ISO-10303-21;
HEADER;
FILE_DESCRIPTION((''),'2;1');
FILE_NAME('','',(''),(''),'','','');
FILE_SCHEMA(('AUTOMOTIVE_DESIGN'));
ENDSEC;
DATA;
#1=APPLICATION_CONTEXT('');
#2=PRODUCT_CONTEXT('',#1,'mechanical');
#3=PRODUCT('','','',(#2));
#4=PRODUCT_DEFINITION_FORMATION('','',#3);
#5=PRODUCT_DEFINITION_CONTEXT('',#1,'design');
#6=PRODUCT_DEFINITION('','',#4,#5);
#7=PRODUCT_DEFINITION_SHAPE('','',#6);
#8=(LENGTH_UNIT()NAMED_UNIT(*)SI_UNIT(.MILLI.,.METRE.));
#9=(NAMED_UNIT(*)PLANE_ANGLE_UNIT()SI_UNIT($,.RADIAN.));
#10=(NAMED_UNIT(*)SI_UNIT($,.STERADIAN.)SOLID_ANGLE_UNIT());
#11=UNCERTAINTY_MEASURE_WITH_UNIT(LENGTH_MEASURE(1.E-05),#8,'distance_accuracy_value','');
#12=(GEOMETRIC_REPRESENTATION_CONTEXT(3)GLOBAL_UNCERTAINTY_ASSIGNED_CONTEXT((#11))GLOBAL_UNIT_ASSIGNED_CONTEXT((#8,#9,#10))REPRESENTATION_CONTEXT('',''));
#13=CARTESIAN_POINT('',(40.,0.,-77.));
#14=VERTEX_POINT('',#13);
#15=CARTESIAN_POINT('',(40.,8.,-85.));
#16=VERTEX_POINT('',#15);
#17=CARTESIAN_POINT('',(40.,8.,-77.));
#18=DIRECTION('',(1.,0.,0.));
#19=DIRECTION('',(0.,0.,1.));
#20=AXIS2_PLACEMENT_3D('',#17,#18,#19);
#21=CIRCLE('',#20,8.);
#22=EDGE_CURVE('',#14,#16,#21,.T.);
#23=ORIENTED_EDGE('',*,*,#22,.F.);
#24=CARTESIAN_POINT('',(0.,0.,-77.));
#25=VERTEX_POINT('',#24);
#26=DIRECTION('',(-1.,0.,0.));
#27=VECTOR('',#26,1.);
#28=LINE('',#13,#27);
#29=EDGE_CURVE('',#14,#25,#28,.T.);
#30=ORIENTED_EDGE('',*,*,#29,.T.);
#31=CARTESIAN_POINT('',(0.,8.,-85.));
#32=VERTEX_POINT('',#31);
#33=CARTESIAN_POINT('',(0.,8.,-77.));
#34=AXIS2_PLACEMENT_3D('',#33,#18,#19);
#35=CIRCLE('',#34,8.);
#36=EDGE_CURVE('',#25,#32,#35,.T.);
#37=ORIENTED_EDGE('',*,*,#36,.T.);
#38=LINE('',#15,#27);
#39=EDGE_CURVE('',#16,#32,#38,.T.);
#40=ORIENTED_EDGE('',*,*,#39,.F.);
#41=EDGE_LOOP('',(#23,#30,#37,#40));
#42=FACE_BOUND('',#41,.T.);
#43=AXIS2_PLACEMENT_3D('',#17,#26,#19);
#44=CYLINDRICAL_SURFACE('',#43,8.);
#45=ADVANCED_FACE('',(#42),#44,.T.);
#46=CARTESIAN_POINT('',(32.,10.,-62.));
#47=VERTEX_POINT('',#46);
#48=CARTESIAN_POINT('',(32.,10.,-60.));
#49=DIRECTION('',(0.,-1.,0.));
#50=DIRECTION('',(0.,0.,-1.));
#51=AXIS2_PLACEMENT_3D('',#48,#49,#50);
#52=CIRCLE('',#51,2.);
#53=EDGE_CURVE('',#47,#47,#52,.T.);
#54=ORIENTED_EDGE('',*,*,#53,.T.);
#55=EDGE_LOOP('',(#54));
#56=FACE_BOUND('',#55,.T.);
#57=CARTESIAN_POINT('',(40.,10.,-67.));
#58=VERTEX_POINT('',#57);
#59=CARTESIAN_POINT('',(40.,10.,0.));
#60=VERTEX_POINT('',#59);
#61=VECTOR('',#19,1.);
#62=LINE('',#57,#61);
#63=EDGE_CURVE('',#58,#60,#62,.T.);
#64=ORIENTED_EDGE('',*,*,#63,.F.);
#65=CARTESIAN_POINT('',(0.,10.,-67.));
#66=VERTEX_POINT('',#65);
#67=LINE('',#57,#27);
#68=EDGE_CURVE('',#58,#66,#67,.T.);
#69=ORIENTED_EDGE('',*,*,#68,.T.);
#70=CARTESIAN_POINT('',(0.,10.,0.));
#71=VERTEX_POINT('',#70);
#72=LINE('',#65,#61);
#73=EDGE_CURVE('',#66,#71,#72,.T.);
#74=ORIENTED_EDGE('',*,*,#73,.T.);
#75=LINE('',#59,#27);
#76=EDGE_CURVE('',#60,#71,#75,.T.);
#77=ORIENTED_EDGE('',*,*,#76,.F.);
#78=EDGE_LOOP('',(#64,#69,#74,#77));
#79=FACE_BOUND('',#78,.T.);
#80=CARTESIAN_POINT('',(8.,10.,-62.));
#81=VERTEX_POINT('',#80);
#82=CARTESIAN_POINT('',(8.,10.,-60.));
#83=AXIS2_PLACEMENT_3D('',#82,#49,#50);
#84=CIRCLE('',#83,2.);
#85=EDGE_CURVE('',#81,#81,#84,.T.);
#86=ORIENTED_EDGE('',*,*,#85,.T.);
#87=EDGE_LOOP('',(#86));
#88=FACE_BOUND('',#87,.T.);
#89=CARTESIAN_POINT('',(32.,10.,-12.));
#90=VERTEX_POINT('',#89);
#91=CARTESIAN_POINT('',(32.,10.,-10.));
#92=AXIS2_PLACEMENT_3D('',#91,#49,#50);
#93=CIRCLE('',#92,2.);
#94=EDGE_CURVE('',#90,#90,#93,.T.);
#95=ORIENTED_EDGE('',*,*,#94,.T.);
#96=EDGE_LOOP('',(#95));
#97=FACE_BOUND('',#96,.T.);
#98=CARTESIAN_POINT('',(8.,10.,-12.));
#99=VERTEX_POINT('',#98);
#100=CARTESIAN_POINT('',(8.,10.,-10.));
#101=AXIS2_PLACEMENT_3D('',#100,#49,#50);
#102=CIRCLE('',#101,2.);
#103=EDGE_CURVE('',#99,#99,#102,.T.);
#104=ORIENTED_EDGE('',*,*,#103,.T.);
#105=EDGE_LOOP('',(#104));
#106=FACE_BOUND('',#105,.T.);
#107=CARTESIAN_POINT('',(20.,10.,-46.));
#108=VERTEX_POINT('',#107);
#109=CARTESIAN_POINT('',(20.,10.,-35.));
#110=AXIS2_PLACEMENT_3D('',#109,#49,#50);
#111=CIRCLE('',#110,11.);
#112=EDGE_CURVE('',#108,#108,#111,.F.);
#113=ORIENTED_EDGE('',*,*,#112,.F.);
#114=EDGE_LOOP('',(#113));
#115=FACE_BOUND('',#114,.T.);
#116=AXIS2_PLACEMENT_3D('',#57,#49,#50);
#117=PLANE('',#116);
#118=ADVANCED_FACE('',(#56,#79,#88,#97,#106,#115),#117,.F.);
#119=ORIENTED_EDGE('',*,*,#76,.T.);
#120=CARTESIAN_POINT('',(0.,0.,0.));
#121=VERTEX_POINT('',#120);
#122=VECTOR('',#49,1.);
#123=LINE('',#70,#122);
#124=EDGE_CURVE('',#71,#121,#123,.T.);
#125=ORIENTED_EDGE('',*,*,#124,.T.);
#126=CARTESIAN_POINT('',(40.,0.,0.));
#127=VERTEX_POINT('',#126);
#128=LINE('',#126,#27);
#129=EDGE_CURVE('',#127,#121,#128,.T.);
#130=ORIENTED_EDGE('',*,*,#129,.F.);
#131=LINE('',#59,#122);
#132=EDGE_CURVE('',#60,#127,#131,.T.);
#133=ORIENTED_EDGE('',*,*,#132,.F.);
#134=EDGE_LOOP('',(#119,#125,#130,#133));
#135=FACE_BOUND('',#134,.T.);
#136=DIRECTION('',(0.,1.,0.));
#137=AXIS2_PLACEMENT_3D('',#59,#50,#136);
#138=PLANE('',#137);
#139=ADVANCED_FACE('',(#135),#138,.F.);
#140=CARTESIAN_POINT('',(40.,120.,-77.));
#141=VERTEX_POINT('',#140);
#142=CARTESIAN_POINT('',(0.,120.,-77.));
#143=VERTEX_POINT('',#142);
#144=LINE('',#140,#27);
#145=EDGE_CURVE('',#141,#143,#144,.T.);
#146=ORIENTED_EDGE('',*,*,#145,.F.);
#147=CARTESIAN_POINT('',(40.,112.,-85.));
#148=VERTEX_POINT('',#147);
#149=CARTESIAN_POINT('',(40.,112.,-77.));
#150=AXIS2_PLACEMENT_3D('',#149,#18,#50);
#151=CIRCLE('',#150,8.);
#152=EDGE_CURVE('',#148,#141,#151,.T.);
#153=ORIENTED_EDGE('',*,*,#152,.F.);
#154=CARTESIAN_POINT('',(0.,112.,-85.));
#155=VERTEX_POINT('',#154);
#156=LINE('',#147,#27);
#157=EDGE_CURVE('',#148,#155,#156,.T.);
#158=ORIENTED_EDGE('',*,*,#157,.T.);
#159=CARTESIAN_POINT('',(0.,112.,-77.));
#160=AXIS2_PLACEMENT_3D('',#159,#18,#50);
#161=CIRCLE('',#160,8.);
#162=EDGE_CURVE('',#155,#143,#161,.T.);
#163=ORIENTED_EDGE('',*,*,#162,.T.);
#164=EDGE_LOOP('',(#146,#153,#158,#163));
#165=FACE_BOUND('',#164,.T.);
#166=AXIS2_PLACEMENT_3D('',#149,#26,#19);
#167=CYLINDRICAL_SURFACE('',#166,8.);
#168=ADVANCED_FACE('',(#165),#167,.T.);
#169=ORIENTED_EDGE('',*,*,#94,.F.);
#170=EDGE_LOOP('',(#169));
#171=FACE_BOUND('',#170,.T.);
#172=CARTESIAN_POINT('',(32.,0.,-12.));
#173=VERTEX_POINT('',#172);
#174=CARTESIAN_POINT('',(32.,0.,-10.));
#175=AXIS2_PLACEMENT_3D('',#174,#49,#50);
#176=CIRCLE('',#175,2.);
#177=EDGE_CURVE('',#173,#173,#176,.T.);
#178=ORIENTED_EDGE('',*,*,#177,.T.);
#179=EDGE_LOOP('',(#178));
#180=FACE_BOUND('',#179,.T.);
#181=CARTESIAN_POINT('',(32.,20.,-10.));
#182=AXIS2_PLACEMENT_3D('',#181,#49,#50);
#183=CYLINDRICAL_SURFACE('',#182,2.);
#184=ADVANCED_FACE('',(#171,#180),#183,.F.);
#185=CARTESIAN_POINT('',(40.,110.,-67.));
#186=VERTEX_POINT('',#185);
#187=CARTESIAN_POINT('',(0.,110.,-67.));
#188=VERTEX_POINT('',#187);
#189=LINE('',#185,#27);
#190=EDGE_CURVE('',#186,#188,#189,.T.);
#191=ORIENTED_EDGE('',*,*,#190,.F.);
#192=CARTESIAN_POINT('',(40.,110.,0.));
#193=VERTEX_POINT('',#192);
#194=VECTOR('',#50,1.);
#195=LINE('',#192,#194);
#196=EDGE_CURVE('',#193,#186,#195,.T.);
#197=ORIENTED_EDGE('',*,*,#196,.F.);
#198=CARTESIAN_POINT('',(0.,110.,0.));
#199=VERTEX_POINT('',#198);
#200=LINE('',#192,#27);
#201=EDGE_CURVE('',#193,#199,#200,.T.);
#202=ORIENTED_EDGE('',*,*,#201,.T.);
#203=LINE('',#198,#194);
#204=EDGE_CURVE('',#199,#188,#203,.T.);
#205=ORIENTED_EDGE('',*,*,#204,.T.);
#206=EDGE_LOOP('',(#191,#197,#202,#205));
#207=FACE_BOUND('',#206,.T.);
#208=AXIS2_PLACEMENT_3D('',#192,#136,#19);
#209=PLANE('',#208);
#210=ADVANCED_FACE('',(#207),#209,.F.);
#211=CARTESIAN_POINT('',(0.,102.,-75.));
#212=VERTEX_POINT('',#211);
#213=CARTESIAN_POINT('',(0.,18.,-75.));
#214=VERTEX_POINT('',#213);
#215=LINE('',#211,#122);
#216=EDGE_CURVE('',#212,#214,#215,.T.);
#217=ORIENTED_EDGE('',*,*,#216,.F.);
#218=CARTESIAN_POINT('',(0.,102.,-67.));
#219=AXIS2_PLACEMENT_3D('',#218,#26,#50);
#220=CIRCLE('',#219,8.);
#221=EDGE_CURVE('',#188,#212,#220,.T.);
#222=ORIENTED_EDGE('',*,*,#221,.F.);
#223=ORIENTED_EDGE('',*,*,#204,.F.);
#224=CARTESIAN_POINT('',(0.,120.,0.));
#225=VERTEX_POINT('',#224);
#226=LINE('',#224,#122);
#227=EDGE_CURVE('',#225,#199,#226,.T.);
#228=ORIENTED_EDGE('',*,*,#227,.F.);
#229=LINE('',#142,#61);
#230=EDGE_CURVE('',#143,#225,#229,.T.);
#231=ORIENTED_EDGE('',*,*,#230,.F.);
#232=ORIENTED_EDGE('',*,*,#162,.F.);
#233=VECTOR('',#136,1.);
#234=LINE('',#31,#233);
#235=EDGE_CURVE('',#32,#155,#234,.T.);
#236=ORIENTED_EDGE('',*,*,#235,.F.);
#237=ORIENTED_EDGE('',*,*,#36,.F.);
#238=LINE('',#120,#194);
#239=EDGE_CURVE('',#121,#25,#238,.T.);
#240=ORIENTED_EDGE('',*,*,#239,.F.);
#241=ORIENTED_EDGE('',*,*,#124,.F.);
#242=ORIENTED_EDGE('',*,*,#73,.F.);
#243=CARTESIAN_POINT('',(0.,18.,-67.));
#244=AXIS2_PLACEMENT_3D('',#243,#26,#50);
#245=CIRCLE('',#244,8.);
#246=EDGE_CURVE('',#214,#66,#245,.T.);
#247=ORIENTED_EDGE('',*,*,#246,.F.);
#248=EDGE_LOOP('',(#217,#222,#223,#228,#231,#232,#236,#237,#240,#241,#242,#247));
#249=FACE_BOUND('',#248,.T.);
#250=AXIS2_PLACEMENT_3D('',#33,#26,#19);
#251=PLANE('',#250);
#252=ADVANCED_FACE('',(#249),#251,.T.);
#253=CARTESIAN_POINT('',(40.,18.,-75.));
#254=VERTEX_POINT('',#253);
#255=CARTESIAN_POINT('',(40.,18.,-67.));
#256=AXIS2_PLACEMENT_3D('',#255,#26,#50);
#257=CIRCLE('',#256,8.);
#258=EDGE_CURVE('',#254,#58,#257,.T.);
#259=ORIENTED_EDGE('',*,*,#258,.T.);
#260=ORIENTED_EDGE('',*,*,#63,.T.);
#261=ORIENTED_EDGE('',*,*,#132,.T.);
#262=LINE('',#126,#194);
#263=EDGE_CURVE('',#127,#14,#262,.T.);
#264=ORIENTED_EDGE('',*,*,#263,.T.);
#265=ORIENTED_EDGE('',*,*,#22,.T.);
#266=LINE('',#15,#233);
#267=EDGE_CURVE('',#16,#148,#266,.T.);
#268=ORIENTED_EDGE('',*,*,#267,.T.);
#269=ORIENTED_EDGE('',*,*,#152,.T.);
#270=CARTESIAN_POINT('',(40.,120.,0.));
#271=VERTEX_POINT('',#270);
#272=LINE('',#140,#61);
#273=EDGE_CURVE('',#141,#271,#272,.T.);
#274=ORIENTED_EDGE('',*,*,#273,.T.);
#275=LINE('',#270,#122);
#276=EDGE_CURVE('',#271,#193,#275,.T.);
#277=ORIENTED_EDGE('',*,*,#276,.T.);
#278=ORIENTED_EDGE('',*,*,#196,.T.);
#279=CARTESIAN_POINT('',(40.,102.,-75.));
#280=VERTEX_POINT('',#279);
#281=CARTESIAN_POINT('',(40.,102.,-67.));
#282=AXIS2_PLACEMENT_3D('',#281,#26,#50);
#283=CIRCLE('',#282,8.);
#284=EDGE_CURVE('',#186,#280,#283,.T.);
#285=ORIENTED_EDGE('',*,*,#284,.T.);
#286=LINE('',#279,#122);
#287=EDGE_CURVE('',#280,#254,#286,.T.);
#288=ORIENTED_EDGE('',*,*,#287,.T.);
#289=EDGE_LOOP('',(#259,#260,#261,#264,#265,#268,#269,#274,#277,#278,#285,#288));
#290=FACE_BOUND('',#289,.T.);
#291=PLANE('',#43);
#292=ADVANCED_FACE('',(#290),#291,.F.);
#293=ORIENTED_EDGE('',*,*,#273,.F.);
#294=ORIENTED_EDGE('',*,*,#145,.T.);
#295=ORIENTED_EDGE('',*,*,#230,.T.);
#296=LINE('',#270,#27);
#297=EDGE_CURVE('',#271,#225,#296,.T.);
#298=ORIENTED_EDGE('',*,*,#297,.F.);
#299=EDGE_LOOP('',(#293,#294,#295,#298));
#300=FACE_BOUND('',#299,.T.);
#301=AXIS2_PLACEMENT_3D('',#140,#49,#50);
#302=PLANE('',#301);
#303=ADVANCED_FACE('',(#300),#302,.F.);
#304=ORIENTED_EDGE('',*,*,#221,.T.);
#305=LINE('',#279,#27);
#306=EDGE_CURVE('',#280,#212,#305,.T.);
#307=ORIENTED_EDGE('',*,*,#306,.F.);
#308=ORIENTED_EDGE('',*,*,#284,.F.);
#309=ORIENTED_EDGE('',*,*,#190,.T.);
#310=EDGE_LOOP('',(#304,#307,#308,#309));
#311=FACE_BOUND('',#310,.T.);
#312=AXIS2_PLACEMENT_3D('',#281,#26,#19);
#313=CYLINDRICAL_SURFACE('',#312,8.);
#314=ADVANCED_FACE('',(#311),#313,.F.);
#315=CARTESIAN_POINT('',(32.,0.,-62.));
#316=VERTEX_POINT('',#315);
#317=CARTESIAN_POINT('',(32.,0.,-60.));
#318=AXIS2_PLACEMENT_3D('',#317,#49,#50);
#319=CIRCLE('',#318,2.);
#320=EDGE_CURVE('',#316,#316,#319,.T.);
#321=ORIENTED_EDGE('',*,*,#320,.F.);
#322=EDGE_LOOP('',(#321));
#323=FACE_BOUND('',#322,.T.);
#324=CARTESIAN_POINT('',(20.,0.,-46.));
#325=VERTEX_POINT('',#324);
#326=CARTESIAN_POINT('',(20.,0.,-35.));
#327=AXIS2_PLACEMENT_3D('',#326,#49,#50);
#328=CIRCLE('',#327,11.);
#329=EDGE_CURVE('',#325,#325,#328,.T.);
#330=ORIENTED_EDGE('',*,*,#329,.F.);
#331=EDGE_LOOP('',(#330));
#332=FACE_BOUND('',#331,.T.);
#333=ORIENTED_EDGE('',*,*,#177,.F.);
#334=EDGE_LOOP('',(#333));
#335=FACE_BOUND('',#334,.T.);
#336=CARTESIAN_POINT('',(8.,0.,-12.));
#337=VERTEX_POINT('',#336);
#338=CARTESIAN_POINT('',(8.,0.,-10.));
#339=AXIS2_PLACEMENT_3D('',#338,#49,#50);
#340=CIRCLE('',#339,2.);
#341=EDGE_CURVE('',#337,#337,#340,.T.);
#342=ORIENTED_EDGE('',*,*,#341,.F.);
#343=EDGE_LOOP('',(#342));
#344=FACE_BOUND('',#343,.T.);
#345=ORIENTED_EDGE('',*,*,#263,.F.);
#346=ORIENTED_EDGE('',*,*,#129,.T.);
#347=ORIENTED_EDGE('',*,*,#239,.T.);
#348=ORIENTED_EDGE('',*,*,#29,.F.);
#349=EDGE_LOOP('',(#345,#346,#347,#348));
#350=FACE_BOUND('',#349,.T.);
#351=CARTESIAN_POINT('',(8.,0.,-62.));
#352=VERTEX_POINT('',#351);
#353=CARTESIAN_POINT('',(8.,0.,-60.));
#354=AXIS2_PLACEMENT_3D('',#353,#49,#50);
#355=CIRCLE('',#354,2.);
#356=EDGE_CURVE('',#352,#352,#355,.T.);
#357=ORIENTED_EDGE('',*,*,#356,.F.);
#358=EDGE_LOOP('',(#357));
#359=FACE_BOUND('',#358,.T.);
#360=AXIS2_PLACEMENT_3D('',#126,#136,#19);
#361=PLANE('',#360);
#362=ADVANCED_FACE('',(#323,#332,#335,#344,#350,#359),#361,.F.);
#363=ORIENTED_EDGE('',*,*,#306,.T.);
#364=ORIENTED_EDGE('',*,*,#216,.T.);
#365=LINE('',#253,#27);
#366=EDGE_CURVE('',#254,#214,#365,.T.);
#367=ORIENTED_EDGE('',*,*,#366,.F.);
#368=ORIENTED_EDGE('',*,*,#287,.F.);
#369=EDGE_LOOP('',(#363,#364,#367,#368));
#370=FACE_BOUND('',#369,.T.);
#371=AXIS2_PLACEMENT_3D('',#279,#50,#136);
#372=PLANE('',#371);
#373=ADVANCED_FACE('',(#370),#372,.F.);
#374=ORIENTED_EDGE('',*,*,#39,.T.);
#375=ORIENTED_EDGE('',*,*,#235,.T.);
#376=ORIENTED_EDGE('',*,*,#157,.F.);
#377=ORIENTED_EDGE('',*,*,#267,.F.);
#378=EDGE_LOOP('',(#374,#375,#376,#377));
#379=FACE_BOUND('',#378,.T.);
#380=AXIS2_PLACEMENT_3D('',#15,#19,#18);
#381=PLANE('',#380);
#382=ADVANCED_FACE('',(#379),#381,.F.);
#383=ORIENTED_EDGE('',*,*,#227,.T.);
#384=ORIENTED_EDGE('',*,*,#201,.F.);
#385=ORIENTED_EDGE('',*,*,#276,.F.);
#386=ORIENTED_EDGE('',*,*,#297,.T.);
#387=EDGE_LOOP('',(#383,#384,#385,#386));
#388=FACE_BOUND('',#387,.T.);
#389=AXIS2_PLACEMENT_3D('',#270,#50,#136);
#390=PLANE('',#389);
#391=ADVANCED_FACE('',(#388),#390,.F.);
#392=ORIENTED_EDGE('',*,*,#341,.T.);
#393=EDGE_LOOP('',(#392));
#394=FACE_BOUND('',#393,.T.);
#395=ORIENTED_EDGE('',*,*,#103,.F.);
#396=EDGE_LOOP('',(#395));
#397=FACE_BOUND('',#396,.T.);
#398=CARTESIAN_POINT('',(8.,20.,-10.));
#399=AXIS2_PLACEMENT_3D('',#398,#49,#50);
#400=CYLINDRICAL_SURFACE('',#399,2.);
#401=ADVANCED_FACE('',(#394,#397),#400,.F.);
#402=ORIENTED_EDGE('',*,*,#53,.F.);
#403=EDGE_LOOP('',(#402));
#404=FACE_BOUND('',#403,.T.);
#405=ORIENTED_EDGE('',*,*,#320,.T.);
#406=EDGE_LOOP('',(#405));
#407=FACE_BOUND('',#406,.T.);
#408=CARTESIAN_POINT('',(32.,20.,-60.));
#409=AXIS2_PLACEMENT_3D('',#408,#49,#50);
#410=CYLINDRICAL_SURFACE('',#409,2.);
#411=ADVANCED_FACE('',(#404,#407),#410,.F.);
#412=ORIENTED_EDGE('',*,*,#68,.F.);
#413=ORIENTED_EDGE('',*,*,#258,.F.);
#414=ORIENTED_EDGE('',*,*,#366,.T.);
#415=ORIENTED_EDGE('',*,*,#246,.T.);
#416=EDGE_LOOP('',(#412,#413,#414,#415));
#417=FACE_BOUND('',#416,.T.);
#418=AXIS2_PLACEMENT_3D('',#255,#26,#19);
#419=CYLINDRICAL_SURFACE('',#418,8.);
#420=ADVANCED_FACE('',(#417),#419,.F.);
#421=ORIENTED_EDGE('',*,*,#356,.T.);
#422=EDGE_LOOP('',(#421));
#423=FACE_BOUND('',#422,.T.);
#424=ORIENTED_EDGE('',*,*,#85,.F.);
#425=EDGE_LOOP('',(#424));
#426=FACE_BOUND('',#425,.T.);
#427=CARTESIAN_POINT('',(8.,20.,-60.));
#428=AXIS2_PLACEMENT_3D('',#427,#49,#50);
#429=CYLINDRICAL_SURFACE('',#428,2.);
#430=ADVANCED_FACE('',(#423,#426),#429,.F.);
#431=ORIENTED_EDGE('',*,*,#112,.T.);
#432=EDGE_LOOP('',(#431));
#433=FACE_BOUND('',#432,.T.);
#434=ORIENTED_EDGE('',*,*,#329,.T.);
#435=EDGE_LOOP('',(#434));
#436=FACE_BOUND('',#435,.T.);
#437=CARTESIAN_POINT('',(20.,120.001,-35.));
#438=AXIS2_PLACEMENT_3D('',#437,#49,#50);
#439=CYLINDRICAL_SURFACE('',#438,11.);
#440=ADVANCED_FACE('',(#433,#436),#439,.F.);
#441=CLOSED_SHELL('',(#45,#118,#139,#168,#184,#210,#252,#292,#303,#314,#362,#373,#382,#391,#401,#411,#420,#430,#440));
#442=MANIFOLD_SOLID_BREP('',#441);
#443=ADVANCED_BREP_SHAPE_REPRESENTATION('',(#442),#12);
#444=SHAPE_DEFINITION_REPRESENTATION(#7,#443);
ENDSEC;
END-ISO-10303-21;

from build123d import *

# Parameters (mm, degrees)
EXTRUDE_1_DEPTH     = 40
CUT_EXTRUDE_1_REACH = 122
SKETCH_5_R          = 11
SKETCH_6_R          = 2
CUT_EXTRUDE_2_DEPTH = 20


with BuildPart() as part:
    # 草图1 → 凸台-拉伸1 (new body)
    with BuildSketch(Plane(origin=(0, 0, 0), x_dir=(0, 0, -1), z_dir=(1, 0, 0))):
        with BuildLine():
            Line((0, 0), (77, 0))
            ThreePointArc((77, 0), (82.656854249, 2.343145751), (85, 8))
            Line((85, 8), (85, 112))
            ThreePointArc((85, 112), (82.656854249, 117.656854249), (77, 120))
            Line((77, 120), (0, 120))
            Line((0, 120), (0, 110))
            Line((0, 110), (67, 110))
            ThreePointArc((67, 110), (72.656854249, 107.656854249), (75, 102))
            Line((75, 102), (75, 18))
            ThreePointArc((75, 18), (72.656854249, 12.343145751), (67, 10))
            Line((67, 10), (0, 10))
            Line((0, 10), (0, 0))
        make_face()
    extrude(amount=EXTRUDE_1_DEPTH)

    # 草图5 → 切除-拉伸1 (cut, up to next)
    with BuildSketch(Plane.XZ, mode=Mode.PRIVATE) as cut_extrude_1_sk1:
        with Locations((20, -35)):
            Circle(SKETCH_5_R)
    cut_extrude_1_tool1 = extrude(cut_extrude_1_sk1.sketch, amount=-CUT_EXTRUDE_1_REACH, mode=Mode.PRIVATE) & part.part
    add(cut_extrude_1_tool1.solids().sort_by_distance((20, 0, -35))[0], mode=Mode.SUBTRACT)

    # 草图6 → 切除-拉伸2 (cut)
    with BuildSketch(Plane.XZ):
        with Locations((8, -10)):
            Circle(SKETCH_6_R)
        with Locations((32, -10)):
            Circle(SKETCH_6_R)
        with Locations((8, -60)):
            Circle(SKETCH_6_R)
        with Locations((32, -60)):
            Circle(SKETCH_6_R)
    extrude(amount=-CUT_EXTRUDE_2_DEPTH, mode=Mode.SUBTRACT)


solid = part.part
